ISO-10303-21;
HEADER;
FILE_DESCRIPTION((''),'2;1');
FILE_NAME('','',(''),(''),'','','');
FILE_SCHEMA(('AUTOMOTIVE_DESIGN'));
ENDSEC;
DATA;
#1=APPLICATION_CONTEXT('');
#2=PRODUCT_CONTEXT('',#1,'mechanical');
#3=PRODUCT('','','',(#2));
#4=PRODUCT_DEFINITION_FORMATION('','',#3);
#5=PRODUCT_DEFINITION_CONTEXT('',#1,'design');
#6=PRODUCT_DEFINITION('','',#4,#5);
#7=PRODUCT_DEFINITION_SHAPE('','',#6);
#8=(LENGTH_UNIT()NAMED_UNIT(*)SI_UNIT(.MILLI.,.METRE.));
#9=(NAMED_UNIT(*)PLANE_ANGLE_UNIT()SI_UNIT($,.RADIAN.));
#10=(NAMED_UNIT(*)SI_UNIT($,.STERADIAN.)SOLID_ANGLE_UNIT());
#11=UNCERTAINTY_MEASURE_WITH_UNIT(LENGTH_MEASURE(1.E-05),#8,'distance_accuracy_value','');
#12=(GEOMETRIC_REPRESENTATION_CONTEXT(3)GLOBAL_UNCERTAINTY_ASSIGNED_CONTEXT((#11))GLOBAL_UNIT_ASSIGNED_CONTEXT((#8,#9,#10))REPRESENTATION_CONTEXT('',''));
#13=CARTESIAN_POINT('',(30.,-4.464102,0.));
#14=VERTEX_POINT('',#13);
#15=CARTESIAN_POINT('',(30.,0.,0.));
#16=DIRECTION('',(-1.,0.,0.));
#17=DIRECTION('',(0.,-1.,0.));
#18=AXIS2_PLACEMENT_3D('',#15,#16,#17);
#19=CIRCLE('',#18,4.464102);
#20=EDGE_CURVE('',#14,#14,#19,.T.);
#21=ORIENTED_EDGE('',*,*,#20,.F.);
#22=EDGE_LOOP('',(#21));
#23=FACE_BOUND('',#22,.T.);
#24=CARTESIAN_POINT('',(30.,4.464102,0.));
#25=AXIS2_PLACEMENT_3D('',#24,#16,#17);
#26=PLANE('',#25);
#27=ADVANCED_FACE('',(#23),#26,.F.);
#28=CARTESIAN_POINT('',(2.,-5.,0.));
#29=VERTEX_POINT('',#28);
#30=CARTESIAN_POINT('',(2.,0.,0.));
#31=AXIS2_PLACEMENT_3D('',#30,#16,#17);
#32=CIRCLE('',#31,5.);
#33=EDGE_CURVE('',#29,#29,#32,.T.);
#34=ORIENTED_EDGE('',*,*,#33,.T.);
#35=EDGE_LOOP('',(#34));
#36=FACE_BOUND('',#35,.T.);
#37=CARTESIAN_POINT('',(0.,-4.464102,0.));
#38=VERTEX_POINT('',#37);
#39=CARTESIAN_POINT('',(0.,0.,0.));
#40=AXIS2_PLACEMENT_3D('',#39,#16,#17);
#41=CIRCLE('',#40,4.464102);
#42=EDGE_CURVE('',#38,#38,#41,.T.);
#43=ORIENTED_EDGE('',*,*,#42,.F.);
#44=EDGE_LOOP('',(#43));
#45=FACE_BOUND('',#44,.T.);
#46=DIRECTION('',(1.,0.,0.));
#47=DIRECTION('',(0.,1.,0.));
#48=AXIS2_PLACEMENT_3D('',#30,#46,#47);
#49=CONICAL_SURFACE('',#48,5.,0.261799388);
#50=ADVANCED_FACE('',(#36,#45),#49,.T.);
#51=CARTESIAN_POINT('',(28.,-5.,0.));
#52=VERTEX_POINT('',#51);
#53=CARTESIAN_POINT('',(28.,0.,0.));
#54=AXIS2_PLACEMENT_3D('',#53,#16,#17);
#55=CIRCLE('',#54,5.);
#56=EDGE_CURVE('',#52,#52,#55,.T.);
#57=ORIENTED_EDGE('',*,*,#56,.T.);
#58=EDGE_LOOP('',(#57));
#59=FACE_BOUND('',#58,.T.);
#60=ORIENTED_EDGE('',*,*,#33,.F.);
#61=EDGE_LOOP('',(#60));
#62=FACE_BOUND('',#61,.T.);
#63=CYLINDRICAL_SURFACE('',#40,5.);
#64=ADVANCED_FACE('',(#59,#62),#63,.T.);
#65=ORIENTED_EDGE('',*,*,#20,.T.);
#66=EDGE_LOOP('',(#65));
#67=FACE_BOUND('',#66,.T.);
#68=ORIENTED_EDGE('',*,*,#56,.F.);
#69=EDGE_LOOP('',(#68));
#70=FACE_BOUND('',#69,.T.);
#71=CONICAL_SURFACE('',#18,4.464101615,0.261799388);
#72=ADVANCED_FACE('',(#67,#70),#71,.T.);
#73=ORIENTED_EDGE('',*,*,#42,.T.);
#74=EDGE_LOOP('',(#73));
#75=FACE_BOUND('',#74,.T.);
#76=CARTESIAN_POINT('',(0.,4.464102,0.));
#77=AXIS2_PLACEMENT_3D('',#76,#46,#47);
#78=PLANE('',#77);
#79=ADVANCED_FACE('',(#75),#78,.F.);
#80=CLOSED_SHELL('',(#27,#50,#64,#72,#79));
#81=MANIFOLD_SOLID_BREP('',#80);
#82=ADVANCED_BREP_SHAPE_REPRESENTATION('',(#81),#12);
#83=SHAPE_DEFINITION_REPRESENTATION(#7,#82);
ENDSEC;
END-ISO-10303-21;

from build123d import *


with BuildPart() as part:
    # BodySke → Body (revolve)
    with BuildSketch(Plane.XY, mode=Mode.PRIVATE) as body_sk:
        Polygon((28, 5), (30, 4.464101615), (30, 0), (0, 0), (0, 4.464101615), (2, 5), align=None)
    revolve(body_sk.sketch.rotate(Axis((0, 0, 0), (1, 0, 0)), 180), axis=Axis((0, 0, 0), (1, 0, 0)))


solid = part.part
